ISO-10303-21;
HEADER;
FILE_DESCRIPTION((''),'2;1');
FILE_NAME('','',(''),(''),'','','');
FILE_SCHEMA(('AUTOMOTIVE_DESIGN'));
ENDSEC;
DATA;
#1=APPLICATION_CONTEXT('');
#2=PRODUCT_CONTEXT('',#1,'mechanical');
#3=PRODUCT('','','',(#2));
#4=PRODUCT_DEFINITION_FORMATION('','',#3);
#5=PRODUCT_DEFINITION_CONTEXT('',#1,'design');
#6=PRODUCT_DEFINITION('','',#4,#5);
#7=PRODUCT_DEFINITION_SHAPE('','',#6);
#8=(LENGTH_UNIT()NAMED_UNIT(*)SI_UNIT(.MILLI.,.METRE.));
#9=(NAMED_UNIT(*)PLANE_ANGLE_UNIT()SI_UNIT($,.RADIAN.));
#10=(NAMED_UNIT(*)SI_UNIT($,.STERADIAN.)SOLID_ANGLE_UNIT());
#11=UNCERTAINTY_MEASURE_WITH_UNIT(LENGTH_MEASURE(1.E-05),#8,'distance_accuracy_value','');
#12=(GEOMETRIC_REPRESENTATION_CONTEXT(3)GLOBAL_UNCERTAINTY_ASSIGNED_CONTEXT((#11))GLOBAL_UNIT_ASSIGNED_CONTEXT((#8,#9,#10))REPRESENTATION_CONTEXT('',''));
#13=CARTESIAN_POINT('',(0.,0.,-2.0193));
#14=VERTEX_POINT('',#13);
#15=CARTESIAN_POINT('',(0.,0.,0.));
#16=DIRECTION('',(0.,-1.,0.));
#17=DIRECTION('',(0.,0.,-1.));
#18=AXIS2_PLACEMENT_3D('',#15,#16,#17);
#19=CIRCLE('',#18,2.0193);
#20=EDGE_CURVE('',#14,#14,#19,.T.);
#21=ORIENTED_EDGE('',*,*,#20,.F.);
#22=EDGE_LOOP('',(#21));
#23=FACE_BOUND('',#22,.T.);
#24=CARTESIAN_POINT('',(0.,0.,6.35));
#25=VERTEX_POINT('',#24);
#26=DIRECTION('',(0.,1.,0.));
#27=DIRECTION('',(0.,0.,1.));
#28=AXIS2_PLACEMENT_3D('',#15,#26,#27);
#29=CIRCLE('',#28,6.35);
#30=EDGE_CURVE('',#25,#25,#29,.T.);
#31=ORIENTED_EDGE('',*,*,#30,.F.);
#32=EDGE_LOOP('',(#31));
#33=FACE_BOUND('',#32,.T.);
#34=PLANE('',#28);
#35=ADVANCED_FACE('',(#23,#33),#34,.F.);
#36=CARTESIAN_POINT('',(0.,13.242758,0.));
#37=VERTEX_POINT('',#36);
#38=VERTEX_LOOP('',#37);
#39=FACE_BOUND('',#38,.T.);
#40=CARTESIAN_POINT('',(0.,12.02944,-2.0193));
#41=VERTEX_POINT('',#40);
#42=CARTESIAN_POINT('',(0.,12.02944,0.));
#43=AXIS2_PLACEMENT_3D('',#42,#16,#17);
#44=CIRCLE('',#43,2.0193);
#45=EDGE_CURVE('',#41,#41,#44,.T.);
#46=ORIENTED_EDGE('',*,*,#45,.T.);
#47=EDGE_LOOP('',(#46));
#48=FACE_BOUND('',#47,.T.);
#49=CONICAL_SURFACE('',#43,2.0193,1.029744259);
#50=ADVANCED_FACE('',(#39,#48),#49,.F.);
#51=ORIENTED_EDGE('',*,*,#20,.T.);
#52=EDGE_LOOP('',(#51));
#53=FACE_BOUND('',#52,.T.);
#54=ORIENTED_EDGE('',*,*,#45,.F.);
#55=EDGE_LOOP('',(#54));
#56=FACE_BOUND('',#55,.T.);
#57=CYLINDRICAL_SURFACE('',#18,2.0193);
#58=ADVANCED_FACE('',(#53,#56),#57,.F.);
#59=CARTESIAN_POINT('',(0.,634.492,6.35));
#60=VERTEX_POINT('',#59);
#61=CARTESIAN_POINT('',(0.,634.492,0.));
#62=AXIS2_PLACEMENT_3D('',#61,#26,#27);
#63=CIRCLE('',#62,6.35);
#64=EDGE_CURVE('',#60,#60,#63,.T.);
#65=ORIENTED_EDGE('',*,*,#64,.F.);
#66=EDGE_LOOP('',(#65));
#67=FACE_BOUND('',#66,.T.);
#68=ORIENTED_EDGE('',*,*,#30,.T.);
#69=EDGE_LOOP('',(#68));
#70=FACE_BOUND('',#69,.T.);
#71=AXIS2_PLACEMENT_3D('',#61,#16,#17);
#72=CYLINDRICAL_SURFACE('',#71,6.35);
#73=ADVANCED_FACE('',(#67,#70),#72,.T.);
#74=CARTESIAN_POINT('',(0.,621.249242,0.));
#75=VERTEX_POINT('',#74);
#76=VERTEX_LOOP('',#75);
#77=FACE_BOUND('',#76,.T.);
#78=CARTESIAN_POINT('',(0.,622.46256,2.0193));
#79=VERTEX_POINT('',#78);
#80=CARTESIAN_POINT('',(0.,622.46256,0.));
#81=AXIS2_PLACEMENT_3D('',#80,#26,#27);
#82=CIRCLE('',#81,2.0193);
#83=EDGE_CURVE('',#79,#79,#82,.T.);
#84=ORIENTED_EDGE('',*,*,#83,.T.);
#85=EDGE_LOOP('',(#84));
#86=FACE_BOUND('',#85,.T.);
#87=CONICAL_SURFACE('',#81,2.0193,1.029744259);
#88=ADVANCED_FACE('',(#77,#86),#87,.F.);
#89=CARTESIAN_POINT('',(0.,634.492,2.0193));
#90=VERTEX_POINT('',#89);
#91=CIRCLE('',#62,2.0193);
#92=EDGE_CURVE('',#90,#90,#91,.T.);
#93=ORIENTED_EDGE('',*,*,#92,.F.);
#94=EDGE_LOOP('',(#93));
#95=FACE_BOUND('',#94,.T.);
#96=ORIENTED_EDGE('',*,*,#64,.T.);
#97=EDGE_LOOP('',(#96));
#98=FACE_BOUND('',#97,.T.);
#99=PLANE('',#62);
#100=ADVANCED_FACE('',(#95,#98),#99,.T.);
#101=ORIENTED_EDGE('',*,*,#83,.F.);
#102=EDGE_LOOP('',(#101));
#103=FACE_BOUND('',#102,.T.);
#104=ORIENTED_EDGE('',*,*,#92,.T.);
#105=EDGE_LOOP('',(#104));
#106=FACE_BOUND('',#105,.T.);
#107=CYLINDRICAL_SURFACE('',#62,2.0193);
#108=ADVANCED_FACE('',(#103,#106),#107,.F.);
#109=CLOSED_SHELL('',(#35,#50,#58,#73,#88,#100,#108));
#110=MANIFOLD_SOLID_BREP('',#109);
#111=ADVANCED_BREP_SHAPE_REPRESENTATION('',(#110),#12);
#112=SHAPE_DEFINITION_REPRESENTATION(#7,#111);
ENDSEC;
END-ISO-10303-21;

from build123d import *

# Parameters (mm, degrees)
SKETCH1_R                  = 6.35
BOSS_EXTRUDE1_DEPTH        = 634.492
F_10_32_TAPPED_HOLE1_D     = 4.0386
F_10_32_TAPPED_HOLE1_DEPTH = 12.02944
F_10_32_TAPPED_HOLE1_TIP   = 1.213317848
F_10_32_TAPPED_HOLE2_D     = 4.0386
F_10_32_TAPPED_HOLE2_DEPTH = 12.02944
F_10_32_TAPPED_HOLE2_TIP   = 1.213317848


with BuildPart() as part:
    # Sketch1 → Boss-Extrude1 (new body)
    with BuildSketch(Plane(origin=(0, 0, 0), x_dir=(1, 0, 0), z_dir=(0, 1, 0))):
        with Locations(Location((0, 0, 0), (0, 0, 270))):
            Circle(SKETCH1_R)
    extrude(amount=BOSS_EXTRUDE1_DEPTH)

    # #10-32 Tapped Hole1
    with Locations(Plane(origin=(0, 0, 0), x_dir=(-1, 0, 0), z_dir=(0, -1, 0))):
        with Locations((0, 0)):
            Hole(F_10_32_TAPPED_HOLE1_D / 2, depth=F_10_32_TAPPED_HOLE1_DEPTH)
            with Locations((0, 0, -(F_10_32_TAPPED_HOLE1_DEPTH + F_10_32_TAPPED_HOLE1_TIP / 2))):  # 118° drill point
                Cone(0, F_10_32_TAPPED_HOLE1_D / 2, F_10_32_TAPPED_HOLE1_TIP, mode=Mode.SUBTRACT)

    # #10-32 Tapped Hole2
    with Locations(Plane(origin=(0, 634.492, 0), x_dir=(1, 0, 0), z_dir=(0, 1, 0))):
        with Locations((0, 0)):
            Hole(F_10_32_TAPPED_HOLE2_D / 2, depth=F_10_32_TAPPED_HOLE2_DEPTH)
            with Locations((0, 0, -(F_10_32_TAPPED_HOLE2_DEPTH + F_10_32_TAPPED_HOLE2_TIP / 2))):  # 118° drill point
                Cone(0, F_10_32_TAPPED_HOLE2_D / 2, F_10_32_TAPPED_HOLE2_TIP, mode=Mode.SUBTRACT)


solid = part.part
